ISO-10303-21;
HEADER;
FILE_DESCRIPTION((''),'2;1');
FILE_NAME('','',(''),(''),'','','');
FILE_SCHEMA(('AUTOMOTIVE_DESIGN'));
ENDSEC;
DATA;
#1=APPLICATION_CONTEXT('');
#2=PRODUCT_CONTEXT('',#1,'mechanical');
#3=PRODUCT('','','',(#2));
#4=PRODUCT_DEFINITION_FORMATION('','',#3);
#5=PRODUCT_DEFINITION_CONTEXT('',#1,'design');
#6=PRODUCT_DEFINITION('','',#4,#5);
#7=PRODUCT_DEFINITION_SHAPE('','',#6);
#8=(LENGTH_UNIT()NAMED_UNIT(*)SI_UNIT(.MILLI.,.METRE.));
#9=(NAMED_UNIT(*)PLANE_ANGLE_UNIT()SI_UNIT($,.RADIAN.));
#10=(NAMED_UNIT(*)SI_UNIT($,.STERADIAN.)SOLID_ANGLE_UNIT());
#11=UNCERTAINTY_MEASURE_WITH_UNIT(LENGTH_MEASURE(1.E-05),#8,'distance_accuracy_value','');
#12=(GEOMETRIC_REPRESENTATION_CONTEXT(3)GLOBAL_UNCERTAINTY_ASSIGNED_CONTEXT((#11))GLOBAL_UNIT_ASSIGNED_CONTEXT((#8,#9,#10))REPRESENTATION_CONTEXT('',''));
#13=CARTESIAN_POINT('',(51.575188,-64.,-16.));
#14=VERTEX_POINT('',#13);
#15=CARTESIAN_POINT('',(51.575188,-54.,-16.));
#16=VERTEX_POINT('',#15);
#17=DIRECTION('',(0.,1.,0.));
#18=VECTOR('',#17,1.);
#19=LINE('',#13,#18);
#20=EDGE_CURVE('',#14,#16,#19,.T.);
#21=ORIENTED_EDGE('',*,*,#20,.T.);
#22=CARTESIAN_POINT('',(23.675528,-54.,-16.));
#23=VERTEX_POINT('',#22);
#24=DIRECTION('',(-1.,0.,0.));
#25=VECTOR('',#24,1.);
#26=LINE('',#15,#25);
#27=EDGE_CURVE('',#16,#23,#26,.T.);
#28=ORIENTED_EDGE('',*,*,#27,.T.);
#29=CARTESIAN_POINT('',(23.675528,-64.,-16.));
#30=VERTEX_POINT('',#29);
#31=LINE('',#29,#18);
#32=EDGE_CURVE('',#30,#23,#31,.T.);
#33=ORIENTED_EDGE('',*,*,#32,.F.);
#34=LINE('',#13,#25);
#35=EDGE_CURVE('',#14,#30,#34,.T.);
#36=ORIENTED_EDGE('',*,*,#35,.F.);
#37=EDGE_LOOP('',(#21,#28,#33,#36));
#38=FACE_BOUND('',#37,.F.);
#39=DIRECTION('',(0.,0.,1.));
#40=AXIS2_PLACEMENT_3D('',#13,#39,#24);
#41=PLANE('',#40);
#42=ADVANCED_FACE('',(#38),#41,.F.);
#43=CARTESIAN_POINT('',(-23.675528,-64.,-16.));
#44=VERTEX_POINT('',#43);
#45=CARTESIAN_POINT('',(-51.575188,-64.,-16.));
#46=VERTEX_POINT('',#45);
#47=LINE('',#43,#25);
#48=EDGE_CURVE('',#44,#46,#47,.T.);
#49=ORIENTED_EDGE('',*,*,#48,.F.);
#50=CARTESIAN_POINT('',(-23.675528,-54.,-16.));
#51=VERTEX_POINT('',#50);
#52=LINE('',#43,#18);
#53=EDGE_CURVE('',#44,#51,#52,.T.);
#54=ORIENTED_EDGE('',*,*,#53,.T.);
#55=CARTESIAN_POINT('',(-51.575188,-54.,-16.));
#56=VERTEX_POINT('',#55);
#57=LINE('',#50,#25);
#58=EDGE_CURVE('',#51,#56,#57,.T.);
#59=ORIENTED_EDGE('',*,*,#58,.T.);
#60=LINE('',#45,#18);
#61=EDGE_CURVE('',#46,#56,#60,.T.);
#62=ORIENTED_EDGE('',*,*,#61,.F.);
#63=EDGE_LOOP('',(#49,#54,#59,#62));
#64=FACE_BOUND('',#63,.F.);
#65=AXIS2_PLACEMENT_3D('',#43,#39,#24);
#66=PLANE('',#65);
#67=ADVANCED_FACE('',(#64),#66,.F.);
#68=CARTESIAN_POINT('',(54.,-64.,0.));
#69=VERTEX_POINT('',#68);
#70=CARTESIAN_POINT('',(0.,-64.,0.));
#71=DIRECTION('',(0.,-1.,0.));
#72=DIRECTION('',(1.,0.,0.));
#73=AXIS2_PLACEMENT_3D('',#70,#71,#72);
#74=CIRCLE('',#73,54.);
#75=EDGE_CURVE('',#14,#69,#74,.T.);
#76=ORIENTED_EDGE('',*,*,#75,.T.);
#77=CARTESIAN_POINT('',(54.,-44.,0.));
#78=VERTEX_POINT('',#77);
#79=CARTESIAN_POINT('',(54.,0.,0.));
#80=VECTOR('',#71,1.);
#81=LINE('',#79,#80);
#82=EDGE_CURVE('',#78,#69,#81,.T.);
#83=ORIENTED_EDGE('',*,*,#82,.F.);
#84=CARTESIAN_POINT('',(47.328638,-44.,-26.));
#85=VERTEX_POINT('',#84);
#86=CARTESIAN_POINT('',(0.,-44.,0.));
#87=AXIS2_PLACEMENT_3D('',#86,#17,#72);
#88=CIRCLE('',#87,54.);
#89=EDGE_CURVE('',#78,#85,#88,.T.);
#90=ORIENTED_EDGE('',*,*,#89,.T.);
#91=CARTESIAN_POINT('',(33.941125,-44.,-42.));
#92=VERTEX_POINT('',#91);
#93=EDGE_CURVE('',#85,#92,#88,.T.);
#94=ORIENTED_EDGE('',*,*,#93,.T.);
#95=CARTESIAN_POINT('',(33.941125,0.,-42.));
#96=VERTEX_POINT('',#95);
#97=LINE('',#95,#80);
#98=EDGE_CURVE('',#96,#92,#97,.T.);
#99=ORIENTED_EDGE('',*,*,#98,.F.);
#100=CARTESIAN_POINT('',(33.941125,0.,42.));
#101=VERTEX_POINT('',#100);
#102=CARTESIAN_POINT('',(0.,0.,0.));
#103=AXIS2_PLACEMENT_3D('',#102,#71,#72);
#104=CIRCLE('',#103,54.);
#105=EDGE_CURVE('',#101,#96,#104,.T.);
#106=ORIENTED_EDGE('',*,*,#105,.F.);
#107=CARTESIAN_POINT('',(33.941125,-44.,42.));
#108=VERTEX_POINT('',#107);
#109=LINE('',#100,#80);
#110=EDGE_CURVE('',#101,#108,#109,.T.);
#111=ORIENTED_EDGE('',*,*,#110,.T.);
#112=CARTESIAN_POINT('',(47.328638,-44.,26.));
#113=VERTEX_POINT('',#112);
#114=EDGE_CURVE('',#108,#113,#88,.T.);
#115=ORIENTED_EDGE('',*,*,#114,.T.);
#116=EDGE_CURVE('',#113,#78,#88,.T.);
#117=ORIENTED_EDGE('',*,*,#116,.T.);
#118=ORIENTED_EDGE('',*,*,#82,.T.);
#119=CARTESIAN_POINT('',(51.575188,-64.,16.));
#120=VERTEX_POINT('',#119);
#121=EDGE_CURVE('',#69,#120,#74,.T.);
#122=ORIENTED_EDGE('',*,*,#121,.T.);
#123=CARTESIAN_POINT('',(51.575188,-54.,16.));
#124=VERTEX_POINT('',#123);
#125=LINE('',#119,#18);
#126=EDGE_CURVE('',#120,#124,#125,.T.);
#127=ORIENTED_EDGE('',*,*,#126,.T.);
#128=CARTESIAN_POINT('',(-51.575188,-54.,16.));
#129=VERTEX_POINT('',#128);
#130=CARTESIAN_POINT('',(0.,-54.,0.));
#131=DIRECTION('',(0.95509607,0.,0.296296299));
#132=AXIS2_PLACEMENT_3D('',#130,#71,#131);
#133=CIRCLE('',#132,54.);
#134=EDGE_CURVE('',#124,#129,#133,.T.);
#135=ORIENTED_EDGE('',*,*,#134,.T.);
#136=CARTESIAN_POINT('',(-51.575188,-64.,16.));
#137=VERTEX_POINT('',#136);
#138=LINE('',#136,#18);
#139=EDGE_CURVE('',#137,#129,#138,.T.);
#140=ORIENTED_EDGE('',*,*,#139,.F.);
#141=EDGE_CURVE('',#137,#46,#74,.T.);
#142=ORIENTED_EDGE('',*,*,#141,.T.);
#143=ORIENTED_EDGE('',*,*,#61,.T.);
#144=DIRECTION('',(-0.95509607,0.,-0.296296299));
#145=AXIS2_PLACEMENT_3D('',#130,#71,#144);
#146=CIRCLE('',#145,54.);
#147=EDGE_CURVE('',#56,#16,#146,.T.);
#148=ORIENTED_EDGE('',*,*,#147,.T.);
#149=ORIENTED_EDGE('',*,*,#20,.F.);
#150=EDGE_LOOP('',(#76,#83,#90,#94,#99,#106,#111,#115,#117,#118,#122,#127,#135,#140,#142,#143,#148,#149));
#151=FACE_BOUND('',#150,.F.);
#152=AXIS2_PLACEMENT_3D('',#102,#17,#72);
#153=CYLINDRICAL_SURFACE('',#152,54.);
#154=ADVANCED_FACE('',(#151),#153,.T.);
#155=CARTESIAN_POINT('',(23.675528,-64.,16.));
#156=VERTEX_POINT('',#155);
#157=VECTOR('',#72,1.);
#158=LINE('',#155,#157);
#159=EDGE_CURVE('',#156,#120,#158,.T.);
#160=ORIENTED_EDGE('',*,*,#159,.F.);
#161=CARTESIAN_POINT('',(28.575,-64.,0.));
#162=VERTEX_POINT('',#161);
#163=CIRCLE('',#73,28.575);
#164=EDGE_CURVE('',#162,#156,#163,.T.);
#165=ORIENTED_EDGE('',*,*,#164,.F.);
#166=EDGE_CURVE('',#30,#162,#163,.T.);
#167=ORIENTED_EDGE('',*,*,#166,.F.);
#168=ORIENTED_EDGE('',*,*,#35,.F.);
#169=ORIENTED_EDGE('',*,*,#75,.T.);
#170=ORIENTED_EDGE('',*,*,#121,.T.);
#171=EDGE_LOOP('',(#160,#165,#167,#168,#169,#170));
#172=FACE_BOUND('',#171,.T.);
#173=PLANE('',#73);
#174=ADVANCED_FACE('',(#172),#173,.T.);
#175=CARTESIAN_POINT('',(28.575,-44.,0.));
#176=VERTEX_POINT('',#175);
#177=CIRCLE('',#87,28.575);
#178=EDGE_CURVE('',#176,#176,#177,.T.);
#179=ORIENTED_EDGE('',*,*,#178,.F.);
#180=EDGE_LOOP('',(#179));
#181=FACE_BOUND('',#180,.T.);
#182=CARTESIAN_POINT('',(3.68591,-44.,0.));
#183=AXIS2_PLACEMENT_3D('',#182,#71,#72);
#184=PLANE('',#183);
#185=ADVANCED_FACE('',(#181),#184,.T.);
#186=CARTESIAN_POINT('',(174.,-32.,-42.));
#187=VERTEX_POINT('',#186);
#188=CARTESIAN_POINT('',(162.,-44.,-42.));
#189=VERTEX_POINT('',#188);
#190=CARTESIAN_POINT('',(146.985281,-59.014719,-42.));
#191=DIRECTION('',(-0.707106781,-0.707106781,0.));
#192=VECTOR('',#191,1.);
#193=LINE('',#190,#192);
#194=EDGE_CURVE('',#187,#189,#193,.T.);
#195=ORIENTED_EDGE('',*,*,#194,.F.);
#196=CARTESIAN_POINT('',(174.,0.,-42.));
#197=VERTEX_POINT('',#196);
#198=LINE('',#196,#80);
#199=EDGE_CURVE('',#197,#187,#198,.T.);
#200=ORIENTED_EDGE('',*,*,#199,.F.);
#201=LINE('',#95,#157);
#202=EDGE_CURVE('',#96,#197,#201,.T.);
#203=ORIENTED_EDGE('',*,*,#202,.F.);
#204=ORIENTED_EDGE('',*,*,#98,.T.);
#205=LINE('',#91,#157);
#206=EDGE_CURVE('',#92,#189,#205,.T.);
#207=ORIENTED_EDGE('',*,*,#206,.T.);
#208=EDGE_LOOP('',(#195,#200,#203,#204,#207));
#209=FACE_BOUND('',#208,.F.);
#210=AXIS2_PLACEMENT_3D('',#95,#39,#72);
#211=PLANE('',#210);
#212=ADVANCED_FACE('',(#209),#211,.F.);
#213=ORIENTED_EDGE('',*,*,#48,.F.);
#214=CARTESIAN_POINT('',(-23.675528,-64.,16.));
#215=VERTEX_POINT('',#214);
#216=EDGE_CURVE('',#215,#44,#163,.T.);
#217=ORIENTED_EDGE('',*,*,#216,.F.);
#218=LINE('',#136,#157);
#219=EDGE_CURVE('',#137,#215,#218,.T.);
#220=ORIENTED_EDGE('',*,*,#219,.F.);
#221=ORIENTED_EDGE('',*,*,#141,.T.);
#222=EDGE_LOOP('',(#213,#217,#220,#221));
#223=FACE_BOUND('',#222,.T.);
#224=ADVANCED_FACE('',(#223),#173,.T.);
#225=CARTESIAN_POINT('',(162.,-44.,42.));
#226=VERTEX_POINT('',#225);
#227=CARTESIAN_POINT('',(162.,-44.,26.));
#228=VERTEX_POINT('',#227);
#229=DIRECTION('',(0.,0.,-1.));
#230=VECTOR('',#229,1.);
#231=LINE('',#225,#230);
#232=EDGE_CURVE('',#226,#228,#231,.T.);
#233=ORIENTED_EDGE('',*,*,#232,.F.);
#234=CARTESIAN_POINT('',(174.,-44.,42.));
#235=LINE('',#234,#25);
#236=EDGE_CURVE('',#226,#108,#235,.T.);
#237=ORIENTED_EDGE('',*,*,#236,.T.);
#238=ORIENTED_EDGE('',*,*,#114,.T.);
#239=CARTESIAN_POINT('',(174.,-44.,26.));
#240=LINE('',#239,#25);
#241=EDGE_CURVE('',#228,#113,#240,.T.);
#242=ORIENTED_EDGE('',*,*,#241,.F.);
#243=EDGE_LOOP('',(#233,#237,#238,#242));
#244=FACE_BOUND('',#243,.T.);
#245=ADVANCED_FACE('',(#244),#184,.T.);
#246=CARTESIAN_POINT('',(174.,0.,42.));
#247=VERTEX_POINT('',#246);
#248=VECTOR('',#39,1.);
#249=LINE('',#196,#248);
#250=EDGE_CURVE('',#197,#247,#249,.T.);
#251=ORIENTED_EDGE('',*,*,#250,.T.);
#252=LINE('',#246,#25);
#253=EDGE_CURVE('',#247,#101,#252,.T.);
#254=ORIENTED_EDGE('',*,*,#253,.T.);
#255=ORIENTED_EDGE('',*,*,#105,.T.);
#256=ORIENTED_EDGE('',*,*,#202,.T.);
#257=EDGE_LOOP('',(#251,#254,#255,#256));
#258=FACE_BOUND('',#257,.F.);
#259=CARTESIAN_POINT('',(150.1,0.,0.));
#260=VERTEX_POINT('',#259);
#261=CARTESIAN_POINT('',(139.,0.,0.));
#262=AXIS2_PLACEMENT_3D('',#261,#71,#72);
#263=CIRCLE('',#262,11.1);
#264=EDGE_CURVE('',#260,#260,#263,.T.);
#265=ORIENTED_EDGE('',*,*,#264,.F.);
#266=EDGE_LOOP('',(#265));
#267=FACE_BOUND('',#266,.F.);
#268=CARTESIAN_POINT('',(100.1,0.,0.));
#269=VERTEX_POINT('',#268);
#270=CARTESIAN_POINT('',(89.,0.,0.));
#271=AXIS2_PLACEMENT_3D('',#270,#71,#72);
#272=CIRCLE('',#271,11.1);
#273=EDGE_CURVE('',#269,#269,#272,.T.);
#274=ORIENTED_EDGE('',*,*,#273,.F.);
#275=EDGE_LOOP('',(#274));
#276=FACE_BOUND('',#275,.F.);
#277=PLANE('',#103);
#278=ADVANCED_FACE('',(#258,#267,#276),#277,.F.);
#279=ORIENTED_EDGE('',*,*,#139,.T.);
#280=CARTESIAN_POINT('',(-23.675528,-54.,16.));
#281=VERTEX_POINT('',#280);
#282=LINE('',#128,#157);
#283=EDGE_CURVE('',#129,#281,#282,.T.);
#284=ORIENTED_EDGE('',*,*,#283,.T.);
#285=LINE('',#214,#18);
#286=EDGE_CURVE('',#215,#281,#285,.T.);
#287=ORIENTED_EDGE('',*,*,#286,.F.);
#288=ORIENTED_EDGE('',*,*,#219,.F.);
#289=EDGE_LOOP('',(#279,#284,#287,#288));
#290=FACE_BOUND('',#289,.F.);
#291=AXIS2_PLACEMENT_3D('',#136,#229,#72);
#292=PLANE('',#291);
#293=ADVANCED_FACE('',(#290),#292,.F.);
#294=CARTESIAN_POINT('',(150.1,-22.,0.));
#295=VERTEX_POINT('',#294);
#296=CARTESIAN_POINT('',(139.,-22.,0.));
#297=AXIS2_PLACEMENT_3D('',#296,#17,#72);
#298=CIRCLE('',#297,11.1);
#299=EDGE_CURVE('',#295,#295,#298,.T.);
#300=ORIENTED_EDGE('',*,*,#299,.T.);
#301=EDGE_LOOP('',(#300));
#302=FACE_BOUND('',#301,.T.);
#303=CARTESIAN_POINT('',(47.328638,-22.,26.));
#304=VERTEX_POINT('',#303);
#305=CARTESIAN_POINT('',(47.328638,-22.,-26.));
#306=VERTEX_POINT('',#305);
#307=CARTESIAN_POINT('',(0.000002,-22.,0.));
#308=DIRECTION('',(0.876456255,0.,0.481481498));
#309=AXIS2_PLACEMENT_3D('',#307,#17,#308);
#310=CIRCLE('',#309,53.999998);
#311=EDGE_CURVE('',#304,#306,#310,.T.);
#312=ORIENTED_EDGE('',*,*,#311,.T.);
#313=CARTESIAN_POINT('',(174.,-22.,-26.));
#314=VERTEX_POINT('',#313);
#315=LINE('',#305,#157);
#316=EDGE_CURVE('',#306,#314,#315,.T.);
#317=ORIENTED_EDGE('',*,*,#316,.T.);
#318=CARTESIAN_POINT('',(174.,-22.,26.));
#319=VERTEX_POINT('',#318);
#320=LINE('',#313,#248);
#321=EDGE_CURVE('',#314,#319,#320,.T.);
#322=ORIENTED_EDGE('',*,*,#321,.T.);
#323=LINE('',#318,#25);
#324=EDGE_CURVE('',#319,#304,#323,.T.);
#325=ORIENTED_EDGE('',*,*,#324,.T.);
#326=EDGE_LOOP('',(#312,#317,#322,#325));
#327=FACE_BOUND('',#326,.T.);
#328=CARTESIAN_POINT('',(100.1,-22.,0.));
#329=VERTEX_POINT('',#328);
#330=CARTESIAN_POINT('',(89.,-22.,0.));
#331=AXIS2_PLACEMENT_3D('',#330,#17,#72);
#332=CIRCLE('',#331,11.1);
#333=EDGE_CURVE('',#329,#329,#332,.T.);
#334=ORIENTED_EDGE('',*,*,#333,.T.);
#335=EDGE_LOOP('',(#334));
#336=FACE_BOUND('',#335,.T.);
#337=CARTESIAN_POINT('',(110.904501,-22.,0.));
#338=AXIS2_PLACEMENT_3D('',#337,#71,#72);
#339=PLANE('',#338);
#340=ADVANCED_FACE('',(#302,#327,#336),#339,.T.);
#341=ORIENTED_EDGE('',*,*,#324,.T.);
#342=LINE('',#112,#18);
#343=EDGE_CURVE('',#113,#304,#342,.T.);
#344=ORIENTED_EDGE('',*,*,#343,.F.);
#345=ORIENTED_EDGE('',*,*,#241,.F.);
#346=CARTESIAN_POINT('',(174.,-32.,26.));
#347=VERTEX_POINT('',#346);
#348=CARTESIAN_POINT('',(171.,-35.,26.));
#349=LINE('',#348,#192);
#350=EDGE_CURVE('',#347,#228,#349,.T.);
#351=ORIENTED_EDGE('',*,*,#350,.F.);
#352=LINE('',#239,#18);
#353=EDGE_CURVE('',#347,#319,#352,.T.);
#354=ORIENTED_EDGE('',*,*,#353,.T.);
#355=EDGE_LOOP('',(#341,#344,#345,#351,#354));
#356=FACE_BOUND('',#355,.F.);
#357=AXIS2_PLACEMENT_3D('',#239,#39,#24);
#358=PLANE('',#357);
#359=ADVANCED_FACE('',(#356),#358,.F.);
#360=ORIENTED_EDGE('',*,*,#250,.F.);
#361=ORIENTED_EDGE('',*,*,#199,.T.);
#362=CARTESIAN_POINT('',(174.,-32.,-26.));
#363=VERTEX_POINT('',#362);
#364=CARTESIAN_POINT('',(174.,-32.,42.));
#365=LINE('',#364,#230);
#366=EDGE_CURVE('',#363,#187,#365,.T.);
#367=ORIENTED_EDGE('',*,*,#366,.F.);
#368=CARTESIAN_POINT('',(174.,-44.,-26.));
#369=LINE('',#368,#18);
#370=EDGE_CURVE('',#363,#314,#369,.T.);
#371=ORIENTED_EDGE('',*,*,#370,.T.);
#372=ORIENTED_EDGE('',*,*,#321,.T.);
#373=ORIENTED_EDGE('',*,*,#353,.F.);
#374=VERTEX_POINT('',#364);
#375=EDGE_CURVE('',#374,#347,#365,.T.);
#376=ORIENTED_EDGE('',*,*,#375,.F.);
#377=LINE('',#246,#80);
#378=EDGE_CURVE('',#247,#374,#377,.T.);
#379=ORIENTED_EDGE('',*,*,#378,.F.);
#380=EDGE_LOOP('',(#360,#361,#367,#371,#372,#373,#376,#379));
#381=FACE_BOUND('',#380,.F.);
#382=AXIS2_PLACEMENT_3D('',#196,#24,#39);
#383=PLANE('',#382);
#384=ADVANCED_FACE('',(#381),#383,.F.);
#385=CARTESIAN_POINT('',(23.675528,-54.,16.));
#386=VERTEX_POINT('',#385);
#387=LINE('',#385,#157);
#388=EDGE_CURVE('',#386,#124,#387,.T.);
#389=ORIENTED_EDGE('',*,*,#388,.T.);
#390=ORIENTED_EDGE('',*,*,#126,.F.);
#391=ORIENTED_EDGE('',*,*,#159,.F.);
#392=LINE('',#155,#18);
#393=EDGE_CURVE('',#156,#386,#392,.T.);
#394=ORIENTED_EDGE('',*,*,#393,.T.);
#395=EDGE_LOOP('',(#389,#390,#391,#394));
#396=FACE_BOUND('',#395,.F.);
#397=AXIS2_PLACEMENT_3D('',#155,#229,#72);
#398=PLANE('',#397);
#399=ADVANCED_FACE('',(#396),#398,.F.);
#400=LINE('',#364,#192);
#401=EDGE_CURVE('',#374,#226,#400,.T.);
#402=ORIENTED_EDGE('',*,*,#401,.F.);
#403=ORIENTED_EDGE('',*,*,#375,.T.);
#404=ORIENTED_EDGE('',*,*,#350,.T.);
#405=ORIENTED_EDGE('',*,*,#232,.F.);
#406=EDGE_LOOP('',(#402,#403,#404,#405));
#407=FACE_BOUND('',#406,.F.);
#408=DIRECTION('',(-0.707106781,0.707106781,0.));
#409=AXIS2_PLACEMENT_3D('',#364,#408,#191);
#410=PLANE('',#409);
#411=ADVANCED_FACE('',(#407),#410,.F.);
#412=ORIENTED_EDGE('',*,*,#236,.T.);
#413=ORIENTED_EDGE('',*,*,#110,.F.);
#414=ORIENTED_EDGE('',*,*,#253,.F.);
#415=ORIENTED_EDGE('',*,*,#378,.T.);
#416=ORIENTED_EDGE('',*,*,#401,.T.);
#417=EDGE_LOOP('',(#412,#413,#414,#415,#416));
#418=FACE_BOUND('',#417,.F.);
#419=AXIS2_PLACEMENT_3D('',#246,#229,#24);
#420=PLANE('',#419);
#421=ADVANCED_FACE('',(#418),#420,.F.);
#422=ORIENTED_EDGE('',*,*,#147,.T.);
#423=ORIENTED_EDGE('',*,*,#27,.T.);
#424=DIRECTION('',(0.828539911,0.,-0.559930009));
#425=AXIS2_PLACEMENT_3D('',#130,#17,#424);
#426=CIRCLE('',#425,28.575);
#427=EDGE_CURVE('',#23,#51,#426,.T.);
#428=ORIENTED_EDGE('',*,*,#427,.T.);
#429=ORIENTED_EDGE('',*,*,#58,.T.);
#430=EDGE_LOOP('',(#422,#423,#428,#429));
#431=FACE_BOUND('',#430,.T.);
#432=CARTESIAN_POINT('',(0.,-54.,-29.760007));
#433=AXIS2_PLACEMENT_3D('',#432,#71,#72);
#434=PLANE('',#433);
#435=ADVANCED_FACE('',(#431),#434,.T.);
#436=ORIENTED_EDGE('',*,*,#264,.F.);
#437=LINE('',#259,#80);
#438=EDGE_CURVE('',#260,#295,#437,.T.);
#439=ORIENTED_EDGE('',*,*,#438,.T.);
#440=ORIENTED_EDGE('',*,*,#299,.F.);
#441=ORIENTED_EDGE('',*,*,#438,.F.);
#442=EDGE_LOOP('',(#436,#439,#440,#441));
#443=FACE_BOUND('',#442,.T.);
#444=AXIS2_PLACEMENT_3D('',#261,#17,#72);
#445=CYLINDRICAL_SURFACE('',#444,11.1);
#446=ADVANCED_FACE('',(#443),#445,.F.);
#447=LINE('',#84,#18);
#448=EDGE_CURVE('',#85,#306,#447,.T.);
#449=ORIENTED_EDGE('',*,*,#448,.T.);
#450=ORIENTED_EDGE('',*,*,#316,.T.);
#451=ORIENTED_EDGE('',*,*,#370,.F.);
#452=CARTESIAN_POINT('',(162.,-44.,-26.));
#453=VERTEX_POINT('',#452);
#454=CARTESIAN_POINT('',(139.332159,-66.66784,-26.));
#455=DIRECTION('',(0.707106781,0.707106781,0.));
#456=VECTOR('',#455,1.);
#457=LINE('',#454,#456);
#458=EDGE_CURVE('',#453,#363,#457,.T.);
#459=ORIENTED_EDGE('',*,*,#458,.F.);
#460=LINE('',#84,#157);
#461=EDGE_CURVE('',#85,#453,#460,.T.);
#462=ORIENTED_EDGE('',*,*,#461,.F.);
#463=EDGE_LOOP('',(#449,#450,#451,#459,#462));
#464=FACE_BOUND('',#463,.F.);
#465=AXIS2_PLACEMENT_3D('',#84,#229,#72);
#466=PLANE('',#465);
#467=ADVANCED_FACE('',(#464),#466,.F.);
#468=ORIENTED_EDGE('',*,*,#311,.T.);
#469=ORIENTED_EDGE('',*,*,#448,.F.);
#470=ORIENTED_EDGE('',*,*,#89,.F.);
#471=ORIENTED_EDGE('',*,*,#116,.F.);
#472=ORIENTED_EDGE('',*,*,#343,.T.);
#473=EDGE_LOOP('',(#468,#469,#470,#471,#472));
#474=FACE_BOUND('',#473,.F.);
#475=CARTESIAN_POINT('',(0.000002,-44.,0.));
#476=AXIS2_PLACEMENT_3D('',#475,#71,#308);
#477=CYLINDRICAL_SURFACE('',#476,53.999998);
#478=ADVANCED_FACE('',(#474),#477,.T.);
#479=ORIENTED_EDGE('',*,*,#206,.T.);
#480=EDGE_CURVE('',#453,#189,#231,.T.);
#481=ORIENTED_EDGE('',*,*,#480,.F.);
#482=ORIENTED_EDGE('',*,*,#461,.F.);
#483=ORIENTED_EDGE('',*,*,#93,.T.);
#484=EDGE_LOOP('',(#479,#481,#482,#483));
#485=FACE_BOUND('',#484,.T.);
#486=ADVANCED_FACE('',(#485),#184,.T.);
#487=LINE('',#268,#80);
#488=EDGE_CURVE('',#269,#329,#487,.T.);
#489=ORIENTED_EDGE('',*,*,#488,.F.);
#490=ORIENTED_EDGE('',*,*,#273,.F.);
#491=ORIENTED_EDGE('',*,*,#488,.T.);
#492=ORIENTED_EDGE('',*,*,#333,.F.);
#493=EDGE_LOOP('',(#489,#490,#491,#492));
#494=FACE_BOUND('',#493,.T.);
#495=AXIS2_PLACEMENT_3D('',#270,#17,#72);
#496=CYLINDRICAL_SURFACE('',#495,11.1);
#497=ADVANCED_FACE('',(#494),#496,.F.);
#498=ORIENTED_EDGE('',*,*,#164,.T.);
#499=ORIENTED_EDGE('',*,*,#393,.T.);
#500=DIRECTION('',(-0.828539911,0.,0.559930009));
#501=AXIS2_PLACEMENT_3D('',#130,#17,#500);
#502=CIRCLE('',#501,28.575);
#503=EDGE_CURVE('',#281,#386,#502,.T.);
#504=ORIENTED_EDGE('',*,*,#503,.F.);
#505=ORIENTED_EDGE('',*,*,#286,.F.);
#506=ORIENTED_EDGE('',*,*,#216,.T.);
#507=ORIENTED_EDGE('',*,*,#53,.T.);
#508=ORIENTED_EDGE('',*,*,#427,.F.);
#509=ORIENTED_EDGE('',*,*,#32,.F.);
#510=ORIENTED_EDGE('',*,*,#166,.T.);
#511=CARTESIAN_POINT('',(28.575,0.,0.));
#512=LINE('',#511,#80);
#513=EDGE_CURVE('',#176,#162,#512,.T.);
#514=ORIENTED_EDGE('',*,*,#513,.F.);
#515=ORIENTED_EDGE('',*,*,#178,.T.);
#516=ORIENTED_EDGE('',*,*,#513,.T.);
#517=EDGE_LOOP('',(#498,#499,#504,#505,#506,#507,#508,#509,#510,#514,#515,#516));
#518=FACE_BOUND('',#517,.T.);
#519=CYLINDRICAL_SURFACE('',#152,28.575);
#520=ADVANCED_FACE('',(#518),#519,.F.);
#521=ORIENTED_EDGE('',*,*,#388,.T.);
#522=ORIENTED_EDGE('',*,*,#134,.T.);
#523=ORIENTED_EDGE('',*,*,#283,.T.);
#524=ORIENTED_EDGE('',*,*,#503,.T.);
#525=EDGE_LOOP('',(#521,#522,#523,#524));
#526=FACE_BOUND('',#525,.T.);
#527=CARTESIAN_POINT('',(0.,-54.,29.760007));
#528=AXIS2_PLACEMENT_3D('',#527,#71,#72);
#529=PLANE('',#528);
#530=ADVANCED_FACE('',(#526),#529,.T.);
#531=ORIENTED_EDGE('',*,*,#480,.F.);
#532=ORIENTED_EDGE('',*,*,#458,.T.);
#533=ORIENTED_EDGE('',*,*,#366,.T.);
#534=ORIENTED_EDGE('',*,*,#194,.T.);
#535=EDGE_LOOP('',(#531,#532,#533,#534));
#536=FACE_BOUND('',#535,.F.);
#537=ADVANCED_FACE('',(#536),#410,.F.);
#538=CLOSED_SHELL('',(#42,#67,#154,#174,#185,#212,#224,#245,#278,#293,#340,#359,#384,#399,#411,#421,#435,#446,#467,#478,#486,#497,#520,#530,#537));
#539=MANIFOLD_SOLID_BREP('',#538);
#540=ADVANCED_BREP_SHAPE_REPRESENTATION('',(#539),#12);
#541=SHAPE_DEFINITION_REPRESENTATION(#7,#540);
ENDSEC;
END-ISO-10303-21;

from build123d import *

# Parameters (mm, degrees)
F0_R      = 54
F0_R_2    = 28.575
F1_DEPTH  = 64
F2_R      = 11.1
F3_DEPTH  = 44
F6_DEPTH  = 22
F8_DEPTH  = 114.55193
F10_DEPTH = 10


with BuildPart() as f1:
    # F0 (on Front) → F1 (new body)
    with BuildSketch(Plane.XZ):
        Circle(F0_R)
        Circle(F0_R_2, mode=Mode.SUBTRACT)
    extrude(amount=F1_DEPTH)

    # F2 (on Front) → F3 (join)
    with BuildSketch(Plane.XZ):
        with BuildLine():
            ThreePointArc((33.941125, -42), (48.727922, -23.272078), (54, 0))
            ThreePointArc((54, 0), (48.727922, 23.272078), (33.941125, 42))
            ThreePointArc((33.941125, 42), (-54, 0), (33.941125, -42))
        make_face()
        with BuildLine():
            ThreePointArc((33.941125, 42), (48.727922, 23.272078), (54, 0))
            ThreePointArc((54, 0), (48.727922, -23.272078), (33.941125, -42))
            Line((33.941125, -42), (174, -42))
            Line((174, -42), (174, 42))
            Line((174, 42), (33.941125, 42))
        make_face()
        with Locations((89, 0)):
            Circle(F2_R, mode=Mode.SUBTRACT)
        with Locations((139, 0)):
            Circle(F2_R, mode=Mode.SUBTRACT)
    extrude(amount=F3_DEPTH)

    # F5 (on face) → F6 (cut)
    with BuildSketch(Plane.XZ.offset(44)):
        with BuildLine():
            Line((174, -26), (174, 26))
            Line((174, 26), (47.328638, 26))
            ThreePointArc((47.328638, 26), (54, 0), (47.328638, -26))
            Line((47.328638, -26), (174, -26))
        make_face()
    extrude(amount=-F6_DEPTH, mode=Mode.SUBTRACT)

    # F7 (on face) → F8 (cut)
    with BuildSketch(Plane.XY.offset(42)):
        Polygon((174, -32), (162, -44), (174, -44), align=None)
    extrude(amount=-F8_DEPTH, mode=Mode.SUBTRACT)

    # F9 (on face) → F10 (cut)
    with BuildSketch(Plane.XZ.offset(64)):
        with BuildLine():
            ThreePointArc((51.575188, 16), (0, 54), (-51.575188, 16))
            Line((-51.575188, 16), (-23.675528, 16))
            ThreePointArc((-23.675528, 16), (0, 28.575), (23.675528, 16))
            Line((23.675528, 16), (51.575188, 16))
        make_face()
        with BuildLine():
            Line((-23.675528, -16), (-51.575188, -16))
            ThreePointArc((-51.575188, -16), (0, -54), (51.575188, -16))
            Line((51.575188, -16), (23.675528, -16))
            ThreePointArc((23.675528, -16), (0, -28.575), (-23.675528, -16))
        make_face()
    extrude(amount=-F10_DEPTH, mode=Mode.SUBTRACT)


solid = f1.part
